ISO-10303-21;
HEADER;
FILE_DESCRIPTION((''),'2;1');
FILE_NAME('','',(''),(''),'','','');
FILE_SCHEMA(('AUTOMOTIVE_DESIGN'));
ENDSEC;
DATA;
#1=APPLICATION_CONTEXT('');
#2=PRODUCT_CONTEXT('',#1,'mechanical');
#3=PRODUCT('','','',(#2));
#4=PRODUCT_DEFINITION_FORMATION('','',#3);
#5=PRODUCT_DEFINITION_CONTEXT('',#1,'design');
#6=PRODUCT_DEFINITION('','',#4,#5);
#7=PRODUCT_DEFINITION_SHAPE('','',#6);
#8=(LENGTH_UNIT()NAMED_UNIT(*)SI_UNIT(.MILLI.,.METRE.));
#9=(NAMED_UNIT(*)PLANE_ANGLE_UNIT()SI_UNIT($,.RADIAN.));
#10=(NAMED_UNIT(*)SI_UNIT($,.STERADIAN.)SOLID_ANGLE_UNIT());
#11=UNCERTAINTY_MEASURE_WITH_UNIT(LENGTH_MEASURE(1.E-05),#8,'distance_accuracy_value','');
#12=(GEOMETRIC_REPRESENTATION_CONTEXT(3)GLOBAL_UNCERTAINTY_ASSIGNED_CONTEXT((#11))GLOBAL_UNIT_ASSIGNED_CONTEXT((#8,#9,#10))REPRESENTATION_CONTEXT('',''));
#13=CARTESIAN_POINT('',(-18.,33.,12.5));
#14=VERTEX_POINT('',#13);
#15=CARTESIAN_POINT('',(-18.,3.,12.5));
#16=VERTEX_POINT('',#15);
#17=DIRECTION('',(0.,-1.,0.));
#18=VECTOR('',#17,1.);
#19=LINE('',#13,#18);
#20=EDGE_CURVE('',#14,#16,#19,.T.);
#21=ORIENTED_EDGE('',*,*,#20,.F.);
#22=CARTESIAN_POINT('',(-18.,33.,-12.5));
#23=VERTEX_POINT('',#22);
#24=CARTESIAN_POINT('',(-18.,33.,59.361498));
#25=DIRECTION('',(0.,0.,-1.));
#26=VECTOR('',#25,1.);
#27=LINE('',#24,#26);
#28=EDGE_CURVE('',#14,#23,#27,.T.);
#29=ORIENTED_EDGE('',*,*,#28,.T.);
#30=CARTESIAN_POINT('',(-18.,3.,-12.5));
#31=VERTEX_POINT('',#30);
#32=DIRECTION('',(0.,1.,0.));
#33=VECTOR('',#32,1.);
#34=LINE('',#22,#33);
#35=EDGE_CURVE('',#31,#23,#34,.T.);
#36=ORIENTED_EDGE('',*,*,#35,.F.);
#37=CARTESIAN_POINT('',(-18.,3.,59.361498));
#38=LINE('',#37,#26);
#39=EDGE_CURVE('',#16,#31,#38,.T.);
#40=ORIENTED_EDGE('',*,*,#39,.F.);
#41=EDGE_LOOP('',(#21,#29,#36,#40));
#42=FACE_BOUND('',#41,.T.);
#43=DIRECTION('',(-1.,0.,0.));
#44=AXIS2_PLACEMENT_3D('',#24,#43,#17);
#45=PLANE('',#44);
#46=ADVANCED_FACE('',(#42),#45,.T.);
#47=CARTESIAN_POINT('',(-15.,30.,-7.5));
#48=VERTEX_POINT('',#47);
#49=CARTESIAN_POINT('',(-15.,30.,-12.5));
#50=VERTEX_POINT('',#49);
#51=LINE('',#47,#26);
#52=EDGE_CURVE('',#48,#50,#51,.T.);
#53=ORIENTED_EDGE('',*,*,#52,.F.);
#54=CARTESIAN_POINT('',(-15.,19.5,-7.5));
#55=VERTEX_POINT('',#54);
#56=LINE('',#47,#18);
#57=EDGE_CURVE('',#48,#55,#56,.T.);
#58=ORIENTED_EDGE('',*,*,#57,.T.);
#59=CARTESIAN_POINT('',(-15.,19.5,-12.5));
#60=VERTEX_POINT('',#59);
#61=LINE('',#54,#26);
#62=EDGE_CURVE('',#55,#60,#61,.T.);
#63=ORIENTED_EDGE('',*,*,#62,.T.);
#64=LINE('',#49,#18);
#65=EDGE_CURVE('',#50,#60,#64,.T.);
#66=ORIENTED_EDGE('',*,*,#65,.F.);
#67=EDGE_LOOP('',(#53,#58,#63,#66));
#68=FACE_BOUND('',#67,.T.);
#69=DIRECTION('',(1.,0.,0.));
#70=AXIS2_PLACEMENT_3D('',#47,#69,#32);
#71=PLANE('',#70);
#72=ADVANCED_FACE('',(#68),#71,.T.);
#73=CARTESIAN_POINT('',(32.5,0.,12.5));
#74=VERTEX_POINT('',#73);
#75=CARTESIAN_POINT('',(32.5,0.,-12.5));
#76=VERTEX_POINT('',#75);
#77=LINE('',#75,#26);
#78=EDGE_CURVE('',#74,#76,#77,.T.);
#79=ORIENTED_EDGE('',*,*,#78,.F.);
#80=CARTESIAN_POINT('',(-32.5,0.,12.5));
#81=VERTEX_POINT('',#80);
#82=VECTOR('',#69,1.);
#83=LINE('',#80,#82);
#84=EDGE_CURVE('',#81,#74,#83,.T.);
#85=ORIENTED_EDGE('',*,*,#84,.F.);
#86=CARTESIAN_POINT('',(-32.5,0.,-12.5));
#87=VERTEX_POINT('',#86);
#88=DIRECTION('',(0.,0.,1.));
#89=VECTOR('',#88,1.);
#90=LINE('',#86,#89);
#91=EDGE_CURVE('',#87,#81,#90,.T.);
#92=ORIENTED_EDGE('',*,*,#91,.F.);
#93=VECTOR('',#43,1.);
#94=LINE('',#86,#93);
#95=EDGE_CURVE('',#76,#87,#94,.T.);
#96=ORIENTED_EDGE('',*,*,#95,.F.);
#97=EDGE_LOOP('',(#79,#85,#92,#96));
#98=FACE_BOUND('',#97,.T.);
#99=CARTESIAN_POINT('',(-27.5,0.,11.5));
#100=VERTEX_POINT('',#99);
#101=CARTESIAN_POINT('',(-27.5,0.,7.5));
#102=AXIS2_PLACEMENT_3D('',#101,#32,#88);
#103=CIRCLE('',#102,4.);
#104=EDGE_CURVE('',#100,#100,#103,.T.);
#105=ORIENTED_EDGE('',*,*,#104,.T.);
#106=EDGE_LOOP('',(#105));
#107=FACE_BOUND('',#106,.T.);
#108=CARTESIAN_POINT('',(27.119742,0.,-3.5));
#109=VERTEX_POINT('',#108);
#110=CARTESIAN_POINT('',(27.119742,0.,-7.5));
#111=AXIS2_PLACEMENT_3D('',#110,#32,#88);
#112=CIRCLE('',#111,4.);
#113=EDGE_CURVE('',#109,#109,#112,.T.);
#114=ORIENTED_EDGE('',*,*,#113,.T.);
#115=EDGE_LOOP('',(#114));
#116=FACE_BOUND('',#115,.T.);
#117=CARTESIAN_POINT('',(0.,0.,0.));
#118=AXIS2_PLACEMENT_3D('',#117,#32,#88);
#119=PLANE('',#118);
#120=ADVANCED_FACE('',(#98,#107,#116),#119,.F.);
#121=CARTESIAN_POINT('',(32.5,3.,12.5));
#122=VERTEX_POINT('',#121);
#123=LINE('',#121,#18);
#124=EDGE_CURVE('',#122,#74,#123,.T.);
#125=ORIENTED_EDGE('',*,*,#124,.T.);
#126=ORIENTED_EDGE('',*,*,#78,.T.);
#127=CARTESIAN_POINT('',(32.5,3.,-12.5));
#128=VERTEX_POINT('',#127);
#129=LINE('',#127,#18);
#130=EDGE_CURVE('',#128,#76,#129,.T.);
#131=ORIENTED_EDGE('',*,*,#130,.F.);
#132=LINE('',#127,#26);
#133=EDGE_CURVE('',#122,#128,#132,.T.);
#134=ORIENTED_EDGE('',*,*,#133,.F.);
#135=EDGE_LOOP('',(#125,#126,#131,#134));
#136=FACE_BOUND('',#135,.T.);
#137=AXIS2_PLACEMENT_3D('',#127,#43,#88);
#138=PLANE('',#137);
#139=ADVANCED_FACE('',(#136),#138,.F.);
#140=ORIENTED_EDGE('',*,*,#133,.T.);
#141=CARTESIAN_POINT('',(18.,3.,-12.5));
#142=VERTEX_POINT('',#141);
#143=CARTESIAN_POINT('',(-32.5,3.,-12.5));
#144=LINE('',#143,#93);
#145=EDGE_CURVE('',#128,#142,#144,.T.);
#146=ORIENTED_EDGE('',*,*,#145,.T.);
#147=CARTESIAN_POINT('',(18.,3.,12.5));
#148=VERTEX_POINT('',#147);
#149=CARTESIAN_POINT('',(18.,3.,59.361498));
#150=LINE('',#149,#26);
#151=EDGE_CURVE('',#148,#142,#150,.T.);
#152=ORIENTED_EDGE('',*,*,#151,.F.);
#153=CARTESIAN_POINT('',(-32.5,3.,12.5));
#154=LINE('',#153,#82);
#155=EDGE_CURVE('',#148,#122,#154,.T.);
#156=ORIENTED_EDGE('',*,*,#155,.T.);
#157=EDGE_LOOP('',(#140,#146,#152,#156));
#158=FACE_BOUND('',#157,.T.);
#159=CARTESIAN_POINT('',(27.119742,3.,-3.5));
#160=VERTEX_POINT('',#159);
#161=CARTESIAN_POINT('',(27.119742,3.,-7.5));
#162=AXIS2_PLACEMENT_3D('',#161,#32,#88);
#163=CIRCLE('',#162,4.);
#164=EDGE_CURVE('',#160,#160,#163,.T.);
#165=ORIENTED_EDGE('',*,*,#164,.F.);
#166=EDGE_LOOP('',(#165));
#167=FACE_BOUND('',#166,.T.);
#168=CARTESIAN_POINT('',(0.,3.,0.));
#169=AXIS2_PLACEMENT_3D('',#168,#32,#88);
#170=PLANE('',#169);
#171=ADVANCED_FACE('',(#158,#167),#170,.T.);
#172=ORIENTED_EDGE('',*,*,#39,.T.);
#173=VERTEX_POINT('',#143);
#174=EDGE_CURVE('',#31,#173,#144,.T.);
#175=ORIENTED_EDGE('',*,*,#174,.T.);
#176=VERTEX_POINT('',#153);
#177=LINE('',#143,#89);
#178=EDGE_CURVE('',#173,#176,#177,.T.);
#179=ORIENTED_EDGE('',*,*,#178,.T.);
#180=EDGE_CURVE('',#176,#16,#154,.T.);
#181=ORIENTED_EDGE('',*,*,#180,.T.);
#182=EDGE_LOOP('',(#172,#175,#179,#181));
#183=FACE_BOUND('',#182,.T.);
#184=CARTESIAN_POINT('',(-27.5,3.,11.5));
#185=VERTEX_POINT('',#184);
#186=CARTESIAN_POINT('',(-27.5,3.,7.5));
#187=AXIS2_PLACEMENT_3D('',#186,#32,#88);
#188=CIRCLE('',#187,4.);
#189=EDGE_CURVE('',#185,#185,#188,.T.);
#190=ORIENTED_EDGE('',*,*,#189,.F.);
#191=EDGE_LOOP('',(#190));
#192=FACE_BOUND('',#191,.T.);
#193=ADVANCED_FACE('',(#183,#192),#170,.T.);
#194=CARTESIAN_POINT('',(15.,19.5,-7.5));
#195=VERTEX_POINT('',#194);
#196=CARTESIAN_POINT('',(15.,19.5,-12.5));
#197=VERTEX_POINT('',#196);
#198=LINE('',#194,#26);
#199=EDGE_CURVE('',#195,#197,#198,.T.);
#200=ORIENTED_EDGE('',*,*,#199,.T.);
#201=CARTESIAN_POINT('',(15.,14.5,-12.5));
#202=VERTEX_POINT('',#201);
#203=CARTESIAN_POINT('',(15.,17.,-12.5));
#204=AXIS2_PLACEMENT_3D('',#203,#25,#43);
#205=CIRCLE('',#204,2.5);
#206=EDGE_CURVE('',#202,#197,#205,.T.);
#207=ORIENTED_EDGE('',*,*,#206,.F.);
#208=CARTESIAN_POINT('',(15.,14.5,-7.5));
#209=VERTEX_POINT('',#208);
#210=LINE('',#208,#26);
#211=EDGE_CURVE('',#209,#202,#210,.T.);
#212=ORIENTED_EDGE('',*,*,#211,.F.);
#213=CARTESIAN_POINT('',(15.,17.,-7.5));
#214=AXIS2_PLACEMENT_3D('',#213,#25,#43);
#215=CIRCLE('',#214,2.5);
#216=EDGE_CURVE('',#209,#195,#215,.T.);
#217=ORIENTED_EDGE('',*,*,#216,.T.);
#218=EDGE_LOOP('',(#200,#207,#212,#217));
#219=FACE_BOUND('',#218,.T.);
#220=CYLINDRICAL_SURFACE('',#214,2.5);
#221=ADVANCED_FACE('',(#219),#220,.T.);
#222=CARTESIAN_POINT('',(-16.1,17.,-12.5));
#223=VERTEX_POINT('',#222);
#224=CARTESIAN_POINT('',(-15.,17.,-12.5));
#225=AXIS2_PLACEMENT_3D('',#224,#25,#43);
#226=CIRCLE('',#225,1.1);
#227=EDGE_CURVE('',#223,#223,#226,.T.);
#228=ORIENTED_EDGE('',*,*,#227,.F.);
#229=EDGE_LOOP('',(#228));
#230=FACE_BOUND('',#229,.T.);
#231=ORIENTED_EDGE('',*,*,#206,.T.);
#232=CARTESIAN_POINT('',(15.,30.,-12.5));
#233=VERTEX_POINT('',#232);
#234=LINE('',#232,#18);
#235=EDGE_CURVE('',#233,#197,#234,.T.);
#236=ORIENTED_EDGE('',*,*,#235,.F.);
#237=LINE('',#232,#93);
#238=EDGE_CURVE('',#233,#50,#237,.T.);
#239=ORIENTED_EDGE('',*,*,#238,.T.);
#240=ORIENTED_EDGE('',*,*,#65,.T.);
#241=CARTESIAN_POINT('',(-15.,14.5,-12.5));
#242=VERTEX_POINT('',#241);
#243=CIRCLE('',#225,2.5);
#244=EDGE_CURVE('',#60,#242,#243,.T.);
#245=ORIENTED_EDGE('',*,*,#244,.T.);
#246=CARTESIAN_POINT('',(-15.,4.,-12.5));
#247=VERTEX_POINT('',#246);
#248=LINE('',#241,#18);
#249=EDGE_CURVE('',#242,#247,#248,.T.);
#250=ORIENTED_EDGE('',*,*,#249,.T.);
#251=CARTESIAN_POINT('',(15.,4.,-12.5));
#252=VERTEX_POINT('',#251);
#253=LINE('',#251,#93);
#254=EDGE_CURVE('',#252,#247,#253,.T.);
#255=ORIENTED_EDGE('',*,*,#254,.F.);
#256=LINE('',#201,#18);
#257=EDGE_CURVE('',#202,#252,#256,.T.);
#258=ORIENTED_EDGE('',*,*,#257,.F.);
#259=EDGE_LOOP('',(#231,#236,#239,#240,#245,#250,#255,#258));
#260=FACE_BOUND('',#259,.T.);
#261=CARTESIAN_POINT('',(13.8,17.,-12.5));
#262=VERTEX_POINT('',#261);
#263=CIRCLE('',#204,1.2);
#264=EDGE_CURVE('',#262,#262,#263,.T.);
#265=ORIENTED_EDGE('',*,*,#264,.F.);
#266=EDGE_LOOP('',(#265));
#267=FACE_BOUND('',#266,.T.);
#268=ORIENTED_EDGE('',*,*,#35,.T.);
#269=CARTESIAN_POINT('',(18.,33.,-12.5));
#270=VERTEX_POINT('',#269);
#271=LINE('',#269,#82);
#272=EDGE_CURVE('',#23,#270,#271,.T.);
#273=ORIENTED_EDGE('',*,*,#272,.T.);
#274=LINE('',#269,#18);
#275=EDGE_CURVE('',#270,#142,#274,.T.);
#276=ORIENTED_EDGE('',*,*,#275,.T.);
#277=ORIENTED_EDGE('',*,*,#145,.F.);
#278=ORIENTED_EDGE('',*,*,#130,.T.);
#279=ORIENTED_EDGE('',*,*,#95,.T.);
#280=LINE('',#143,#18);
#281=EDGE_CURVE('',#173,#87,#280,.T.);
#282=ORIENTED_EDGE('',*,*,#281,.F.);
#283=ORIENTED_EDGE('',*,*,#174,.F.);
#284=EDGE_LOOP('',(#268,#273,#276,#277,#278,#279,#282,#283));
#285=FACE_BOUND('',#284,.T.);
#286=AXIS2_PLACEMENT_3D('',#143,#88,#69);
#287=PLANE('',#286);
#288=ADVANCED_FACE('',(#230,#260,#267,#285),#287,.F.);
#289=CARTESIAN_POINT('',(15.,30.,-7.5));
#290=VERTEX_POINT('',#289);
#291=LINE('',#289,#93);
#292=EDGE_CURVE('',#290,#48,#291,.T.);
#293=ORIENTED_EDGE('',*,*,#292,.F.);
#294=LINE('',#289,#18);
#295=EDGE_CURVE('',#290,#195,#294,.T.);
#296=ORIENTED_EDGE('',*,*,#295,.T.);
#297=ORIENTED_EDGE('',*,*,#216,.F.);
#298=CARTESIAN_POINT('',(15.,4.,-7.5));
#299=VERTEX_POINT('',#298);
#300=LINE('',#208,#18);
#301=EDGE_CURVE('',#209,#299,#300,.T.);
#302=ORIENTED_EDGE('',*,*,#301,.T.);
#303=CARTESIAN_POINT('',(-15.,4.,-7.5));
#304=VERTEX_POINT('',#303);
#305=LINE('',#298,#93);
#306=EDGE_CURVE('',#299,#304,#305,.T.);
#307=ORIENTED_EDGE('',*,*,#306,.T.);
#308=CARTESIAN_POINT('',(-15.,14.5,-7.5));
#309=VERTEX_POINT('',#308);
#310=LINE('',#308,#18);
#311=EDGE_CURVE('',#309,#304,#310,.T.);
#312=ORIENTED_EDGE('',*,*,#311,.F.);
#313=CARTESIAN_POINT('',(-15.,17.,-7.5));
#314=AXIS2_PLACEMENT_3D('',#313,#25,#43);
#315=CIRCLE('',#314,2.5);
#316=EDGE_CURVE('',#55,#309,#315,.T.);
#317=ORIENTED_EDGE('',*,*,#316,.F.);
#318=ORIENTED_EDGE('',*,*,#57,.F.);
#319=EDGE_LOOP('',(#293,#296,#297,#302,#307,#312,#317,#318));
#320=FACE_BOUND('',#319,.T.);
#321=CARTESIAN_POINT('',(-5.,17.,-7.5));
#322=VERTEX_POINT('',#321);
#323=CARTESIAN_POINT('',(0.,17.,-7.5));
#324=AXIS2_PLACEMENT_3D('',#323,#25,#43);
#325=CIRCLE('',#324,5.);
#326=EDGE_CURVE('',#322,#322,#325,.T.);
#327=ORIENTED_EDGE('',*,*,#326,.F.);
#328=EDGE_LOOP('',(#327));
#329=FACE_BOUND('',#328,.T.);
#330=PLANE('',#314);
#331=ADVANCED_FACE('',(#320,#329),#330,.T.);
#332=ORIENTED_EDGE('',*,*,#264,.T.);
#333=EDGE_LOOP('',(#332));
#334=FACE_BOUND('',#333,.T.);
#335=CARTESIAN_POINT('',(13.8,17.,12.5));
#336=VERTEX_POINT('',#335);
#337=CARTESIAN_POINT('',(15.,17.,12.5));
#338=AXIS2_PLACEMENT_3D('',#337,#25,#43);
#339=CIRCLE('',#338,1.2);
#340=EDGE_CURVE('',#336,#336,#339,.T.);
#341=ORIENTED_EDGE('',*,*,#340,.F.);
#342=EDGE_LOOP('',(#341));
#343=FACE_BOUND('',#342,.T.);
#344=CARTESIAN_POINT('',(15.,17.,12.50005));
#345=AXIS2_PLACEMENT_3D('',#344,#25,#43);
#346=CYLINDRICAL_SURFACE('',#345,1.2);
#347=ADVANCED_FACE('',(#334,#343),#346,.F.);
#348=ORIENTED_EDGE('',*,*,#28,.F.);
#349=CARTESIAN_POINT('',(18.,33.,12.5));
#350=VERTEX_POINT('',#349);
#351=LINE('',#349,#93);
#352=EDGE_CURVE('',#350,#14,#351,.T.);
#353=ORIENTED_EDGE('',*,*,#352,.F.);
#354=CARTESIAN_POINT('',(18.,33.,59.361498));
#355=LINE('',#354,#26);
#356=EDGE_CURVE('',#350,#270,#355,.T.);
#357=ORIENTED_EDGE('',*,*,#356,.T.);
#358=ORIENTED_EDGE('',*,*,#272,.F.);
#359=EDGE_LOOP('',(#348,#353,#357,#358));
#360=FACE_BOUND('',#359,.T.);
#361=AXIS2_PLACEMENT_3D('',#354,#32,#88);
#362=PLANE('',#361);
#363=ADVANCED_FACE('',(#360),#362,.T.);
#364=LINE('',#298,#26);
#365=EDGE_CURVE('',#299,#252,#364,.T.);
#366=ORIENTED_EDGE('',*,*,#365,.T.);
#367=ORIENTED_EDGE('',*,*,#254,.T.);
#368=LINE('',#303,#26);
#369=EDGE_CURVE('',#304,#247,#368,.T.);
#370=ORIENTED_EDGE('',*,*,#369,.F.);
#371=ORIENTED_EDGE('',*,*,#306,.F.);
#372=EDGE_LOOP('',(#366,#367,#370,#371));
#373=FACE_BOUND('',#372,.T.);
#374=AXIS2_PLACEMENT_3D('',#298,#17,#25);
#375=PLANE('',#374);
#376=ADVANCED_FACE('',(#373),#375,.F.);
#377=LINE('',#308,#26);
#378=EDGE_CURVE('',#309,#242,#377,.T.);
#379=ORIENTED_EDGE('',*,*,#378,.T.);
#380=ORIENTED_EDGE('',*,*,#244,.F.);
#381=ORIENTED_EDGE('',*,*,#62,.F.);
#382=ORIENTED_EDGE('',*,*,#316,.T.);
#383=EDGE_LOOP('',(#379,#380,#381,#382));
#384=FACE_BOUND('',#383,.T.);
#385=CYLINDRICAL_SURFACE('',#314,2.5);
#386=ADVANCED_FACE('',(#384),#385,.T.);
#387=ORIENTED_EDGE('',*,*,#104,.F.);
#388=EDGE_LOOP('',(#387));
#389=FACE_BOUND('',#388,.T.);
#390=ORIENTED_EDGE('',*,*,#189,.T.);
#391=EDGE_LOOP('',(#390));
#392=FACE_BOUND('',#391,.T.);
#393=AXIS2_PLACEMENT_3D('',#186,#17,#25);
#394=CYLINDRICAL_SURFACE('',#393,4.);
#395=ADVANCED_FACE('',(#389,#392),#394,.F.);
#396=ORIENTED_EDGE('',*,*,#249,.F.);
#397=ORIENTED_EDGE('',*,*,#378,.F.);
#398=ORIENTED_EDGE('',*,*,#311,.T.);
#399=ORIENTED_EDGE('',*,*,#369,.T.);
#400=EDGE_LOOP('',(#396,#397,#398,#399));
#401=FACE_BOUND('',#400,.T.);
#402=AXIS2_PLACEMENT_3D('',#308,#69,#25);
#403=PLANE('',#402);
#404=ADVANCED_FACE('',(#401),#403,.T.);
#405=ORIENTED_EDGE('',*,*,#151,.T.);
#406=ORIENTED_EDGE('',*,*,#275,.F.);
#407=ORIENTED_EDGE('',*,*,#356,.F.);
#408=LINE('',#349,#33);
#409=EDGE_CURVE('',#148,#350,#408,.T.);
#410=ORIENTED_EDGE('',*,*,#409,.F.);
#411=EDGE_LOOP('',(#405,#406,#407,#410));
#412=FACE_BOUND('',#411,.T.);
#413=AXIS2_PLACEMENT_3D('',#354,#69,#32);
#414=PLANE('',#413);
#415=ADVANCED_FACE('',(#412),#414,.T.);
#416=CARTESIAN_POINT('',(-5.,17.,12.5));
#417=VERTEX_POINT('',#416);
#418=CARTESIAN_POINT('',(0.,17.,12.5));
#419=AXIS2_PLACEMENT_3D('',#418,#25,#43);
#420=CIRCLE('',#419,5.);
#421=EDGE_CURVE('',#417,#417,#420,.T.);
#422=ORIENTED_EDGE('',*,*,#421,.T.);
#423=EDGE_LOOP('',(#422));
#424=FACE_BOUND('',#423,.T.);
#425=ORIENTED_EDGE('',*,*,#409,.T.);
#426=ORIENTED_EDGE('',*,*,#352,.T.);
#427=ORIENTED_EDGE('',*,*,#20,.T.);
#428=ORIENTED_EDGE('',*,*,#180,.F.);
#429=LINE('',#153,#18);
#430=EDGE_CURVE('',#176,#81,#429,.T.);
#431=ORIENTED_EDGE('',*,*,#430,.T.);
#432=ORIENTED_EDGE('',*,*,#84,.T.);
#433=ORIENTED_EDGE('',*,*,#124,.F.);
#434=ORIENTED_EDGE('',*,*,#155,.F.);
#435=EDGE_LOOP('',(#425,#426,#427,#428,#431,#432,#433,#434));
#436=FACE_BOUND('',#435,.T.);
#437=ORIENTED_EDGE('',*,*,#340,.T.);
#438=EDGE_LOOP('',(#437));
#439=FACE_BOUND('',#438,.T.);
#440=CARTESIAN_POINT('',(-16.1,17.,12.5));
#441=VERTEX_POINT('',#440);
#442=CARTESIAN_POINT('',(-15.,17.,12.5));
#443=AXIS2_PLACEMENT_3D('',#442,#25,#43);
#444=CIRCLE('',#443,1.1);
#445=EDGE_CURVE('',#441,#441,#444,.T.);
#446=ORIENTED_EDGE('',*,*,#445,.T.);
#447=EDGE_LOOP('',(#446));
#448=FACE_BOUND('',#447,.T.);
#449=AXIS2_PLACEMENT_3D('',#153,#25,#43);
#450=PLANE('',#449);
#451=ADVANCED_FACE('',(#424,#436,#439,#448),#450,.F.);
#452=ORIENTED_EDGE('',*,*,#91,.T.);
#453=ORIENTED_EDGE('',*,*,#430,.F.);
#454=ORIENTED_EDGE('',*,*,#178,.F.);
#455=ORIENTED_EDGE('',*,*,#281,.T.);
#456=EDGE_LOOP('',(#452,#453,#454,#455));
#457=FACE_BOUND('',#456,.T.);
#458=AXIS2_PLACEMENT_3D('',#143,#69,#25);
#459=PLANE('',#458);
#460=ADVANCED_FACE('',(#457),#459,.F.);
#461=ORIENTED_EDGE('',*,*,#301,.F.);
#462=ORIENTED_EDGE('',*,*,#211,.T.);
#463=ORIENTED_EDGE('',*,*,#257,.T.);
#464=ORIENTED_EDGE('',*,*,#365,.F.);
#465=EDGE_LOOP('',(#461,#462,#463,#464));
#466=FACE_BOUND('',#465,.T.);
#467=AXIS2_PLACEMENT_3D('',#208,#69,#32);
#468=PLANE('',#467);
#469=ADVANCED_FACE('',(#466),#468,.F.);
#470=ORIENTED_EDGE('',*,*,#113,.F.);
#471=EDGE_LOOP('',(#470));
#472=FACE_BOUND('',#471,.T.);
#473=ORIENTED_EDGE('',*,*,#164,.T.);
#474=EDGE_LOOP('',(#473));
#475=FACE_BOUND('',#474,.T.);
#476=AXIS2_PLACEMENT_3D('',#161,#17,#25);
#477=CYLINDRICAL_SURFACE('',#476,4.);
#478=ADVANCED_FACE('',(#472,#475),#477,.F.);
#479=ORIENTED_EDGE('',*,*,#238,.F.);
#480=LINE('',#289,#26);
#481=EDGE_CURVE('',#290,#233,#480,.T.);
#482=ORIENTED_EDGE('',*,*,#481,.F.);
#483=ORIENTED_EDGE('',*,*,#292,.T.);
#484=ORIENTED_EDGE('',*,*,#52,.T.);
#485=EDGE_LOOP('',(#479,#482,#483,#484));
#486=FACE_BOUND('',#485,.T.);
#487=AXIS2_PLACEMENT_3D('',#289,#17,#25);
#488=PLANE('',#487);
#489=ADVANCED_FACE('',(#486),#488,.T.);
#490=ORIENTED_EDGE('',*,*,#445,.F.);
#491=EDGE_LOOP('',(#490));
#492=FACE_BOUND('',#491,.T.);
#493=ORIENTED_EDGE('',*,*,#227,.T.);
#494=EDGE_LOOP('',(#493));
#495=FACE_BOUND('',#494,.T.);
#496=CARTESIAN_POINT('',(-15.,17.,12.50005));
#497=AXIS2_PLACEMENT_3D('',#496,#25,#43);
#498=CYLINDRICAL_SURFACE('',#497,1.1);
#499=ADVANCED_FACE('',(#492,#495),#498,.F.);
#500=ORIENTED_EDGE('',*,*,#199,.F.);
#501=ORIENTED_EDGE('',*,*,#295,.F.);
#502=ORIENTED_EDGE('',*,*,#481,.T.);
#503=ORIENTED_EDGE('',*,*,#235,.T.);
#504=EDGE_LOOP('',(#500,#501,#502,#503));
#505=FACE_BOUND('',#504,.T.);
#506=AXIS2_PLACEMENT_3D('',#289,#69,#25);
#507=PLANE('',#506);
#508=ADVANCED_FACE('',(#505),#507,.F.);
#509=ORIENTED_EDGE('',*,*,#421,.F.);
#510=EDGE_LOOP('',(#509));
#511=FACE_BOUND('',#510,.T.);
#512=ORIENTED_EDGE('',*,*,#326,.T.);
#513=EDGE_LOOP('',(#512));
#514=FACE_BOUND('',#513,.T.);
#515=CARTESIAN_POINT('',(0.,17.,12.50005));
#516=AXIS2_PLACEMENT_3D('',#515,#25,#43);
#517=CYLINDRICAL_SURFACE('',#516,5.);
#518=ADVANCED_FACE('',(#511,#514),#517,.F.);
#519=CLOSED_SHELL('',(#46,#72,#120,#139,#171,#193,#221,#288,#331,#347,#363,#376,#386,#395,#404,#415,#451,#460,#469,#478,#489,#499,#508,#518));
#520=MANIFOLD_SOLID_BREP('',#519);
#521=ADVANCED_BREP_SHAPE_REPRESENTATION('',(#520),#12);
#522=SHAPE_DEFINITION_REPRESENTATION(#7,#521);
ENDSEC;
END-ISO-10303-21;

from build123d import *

# Parameters (mm, degrees)
SKETCH1_W           = 65
SKETCH1_H           = 25
SKETCH1_R           = 4
BOSS_EXTRUDE1_DEPTH = 3
SKETCH2_W           = 36
SKETCH2_H           = 30
BOSS_EXTRUDE2_DEPTH = 25
CUT_EXTRUDE1_DEPTH  = 5
SKETCH4_R           = 5
CUT_EXTRUDE2_DEPTH  = 21
SKETCH6_R           = 1.2
SKETCH6_R_2         = 1.1
CUT_EXTRUDE4_DEPTH  = 26


with BuildPart() as part:
    # Sketch1 → Boss-Extrude1 (new body)
    with BuildSketch(Plane(origin=(0, 0, 0), x_dir=(1, 0, 0), z_dir=(0, 1, 0))):
        Rectangle(SKETCH1_W, SKETCH1_H)
        with Locations((-27.5, -7.5)):
            Circle(SKETCH1_R, mode=Mode.SUBTRACT)
        with Locations((27.119741523, 7.5)):
            Circle(SKETCH1_R, mode=Mode.SUBTRACT)
    extrude(amount=BOSS_EXTRUDE1_DEPTH)

    # Sketch2 → Boss-Extrude2 (add)
    with BuildSketch(Plane(origin=(0, 0, -12.5), x_dir=(-1, 0, 0), z_dir=(0, 0, -1))):
        with Locations((0, 18)):
            Rectangle(SKETCH2_W, SKETCH2_H)
    extrude(amount=-BOSS_EXTRUDE2_DEPTH)

    # Sketch3 → Cut-Extrude1 (cut)
    with BuildSketch(Plane(origin=(0, 0, -12.5), x_dir=(-1, 0, 0), z_dir=(0, 0, -1))):
        with BuildLine():
            Line((-15, 30), (15, 30))
            Line((15, 30), (15, 19.5))
            ThreePointArc((15, 19.5), (12.5, 17), (15, 14.5))
            Line((15, 14.5), (15, 4))
            Line((15, 4), (-15, 4))
            Line((-15, 4), (-15, 14.5))
            ThreePointArc((-15, 14.5), (-12.5, 17), (-15, 19.5))
            Line((-15, 19.5), (-15, 30))
        make_face()
    extrude(amount=-CUT_EXTRUDE1_DEPTH, mode=Mode.SUBTRACT)

    # Sketch4 → Cut-Extrude2 (cut, through all)
    with BuildSketch(Plane(origin=(0, 0, -7.5), x_dir=(-1, 0, 0), z_dir=(0, 0, -1))):
        with Locations((0, 17)):
            Circle(SKETCH4_R)
    extrude(amount=-CUT_EXTRUDE2_DEPTH, mode=Mode.SUBTRACT)

    # Sketch6 → Cut-Extrude4 (cut, through all)
    with BuildSketch(Plane(origin=(0, 0, -12.5), x_dir=(-1, 0, 0), z_dir=(0, 0, -1))):
        with Locations((-15, 17)):
            Circle(SKETCH6_R)
        with Locations((15, 17)):
            Circle(SKETCH6_R_2)
    extrude(amount=-CUT_EXTRUDE4_DEPTH, mode=Mode.SUBTRACT)


solid = part.part
